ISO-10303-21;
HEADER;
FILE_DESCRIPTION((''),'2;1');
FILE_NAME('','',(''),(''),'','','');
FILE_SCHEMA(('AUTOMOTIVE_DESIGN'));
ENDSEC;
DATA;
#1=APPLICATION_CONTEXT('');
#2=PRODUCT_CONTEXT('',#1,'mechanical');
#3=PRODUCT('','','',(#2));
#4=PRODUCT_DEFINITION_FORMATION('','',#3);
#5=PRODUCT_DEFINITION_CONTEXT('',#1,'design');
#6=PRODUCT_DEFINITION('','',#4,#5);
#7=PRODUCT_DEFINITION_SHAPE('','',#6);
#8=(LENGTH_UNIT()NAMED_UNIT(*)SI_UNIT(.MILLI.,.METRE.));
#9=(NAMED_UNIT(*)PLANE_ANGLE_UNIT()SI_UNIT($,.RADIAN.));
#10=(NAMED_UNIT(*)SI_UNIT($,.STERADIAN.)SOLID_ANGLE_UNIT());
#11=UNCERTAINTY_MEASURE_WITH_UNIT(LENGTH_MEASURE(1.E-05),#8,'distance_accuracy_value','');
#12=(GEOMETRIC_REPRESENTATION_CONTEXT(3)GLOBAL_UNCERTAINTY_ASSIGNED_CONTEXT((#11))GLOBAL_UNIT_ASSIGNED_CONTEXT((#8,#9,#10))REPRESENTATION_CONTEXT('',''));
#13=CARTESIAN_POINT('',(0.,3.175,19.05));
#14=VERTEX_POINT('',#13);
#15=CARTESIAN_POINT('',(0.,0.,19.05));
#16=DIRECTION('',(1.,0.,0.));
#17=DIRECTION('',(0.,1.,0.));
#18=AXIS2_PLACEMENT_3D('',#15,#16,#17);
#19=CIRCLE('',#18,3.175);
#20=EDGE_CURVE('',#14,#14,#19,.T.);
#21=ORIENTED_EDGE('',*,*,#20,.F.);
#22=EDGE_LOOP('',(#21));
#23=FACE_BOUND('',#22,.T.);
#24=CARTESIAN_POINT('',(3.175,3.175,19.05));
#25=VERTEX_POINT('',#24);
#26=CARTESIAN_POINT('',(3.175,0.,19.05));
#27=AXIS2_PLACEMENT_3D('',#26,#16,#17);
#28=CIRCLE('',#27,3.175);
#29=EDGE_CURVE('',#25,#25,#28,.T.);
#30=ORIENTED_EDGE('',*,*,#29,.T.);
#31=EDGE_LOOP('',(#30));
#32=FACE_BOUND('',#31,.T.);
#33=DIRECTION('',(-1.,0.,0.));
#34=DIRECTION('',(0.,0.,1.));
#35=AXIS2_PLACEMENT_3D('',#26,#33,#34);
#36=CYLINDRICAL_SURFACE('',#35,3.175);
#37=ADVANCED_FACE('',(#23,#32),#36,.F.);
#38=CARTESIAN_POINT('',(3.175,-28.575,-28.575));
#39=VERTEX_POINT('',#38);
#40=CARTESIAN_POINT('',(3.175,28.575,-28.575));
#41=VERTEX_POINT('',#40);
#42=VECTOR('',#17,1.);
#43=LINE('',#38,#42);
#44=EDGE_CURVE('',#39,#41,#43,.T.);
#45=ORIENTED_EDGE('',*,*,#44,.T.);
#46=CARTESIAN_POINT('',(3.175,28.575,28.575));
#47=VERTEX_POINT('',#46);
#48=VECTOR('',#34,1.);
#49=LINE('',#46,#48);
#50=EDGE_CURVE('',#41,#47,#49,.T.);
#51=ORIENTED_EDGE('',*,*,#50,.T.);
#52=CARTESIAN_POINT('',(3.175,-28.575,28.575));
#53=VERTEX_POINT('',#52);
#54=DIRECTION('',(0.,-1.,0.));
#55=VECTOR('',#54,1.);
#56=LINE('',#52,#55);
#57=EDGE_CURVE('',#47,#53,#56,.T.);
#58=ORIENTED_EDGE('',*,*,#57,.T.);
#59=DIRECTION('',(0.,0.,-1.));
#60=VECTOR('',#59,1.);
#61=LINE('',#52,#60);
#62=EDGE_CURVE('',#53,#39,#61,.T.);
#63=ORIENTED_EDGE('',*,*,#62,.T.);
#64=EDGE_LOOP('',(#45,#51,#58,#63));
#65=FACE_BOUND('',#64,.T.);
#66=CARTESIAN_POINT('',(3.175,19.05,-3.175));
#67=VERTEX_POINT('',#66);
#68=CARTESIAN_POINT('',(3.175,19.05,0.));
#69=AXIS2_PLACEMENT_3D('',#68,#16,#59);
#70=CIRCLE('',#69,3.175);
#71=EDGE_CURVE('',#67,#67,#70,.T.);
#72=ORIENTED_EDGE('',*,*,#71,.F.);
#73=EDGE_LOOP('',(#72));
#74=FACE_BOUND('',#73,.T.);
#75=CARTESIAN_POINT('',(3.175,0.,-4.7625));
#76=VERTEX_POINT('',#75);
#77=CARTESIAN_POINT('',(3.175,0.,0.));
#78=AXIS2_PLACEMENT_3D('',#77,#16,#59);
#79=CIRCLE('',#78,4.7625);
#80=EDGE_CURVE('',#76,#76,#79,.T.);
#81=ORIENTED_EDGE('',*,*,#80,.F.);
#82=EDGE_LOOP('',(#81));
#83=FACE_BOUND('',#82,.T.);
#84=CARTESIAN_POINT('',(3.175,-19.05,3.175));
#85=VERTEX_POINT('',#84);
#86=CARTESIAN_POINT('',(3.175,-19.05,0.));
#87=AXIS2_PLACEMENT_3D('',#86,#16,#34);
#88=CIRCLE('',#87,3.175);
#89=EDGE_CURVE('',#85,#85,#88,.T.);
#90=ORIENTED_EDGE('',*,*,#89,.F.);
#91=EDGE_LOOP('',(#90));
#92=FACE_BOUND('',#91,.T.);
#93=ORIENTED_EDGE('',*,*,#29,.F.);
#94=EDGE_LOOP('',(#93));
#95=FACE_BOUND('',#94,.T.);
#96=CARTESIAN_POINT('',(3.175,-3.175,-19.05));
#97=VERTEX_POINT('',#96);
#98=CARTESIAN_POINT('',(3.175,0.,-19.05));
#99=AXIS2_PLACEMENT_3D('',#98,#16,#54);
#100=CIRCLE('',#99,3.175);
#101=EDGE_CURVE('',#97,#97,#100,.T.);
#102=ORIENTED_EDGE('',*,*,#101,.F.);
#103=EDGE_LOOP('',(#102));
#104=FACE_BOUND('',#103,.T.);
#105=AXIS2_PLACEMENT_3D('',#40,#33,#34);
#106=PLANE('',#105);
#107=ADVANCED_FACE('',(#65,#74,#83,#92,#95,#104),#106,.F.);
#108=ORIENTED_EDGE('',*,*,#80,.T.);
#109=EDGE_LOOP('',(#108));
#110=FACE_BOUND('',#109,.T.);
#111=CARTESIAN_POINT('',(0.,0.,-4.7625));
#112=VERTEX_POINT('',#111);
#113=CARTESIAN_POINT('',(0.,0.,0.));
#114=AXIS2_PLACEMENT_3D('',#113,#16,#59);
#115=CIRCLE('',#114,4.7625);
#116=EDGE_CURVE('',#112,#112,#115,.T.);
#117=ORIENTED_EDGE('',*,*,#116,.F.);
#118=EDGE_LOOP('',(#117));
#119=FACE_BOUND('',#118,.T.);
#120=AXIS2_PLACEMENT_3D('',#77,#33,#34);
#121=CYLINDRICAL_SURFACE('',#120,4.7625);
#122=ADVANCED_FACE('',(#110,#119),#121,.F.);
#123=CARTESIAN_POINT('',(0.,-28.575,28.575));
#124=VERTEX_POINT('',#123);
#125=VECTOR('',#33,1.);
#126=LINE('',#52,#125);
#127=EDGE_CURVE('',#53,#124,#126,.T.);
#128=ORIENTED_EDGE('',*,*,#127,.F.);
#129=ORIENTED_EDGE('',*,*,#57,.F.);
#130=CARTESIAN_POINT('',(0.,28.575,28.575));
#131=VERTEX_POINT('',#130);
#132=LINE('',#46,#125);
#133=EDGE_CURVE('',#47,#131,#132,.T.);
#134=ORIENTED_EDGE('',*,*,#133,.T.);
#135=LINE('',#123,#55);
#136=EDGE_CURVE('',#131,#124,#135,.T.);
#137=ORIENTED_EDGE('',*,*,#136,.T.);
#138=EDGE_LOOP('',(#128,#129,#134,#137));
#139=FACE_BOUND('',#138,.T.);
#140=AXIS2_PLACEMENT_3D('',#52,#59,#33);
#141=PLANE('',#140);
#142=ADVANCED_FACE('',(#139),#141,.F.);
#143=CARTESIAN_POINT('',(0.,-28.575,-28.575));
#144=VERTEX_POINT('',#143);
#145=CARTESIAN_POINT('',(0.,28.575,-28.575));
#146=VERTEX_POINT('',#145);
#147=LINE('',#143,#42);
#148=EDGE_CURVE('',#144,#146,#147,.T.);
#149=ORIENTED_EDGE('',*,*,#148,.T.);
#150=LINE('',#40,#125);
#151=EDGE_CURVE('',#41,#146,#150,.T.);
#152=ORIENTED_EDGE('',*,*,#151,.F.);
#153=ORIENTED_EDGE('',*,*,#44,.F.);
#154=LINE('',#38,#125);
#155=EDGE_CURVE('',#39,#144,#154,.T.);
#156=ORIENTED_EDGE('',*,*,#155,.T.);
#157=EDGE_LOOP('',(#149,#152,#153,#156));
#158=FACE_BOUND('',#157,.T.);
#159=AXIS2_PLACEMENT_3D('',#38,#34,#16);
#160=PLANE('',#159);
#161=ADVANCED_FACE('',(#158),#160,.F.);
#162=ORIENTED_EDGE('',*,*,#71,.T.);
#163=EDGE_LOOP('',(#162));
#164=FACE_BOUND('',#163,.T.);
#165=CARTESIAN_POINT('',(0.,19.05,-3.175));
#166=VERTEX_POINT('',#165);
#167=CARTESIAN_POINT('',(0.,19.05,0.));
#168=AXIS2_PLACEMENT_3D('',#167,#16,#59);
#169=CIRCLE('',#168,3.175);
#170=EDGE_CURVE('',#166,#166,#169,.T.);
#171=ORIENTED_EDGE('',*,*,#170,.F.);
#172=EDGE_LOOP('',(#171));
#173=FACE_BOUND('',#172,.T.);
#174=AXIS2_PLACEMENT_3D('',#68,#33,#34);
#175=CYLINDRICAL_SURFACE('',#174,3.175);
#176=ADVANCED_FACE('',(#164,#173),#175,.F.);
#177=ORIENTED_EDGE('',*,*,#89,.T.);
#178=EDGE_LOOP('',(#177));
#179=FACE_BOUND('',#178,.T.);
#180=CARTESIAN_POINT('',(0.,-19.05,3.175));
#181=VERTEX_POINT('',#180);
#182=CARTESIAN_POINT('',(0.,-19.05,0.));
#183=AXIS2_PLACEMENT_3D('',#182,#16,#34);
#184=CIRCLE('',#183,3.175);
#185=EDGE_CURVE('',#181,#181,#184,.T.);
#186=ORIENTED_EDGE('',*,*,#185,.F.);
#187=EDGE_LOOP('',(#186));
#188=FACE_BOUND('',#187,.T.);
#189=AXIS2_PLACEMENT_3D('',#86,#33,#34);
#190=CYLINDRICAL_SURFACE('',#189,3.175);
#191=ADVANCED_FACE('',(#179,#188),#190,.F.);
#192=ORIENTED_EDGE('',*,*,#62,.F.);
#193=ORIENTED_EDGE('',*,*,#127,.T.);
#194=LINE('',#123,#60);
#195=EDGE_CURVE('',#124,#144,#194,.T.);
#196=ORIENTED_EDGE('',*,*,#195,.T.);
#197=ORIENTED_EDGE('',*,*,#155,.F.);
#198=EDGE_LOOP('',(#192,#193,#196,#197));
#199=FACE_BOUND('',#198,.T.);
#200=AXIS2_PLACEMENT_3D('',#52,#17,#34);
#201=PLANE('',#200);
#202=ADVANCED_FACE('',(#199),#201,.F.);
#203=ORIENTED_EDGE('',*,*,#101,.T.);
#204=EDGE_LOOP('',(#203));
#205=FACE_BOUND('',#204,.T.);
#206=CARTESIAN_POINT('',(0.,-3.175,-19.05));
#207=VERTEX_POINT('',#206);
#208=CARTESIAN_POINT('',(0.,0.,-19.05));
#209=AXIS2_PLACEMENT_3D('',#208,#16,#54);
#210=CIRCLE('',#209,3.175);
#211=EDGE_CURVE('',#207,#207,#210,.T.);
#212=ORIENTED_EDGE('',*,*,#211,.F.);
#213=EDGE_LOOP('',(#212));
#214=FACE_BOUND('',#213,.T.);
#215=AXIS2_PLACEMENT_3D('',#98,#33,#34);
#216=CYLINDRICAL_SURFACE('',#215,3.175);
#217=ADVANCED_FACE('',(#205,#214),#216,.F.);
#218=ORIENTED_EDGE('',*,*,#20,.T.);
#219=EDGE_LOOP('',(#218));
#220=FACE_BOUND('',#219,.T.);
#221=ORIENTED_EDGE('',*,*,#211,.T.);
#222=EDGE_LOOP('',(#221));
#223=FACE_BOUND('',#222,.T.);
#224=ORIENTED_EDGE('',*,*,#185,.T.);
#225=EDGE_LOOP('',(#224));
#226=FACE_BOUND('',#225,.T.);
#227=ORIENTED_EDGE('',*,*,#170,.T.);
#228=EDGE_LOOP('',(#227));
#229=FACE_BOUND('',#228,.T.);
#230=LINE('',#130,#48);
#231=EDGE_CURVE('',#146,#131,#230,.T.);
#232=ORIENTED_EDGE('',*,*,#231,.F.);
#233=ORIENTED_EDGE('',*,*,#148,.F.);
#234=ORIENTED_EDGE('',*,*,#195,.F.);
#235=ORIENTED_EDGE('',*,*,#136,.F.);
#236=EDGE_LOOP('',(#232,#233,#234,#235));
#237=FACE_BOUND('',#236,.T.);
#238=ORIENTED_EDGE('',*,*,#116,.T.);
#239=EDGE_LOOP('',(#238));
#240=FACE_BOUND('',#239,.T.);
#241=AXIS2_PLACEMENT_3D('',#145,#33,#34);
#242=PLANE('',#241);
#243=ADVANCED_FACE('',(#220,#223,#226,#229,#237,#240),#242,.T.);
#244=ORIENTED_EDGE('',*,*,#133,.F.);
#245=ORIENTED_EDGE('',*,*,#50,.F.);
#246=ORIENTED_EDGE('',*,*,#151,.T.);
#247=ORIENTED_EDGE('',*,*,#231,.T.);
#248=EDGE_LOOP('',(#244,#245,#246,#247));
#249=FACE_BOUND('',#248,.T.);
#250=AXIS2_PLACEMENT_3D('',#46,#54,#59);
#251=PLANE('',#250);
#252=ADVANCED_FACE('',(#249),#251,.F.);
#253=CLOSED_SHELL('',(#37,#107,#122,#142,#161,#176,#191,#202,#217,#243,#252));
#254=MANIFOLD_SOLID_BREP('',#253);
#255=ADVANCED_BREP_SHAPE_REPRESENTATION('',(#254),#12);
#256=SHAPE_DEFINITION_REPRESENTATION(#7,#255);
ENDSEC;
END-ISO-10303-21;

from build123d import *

# Parameters (mm, degrees)
SKETCH1_W           = 57.15
SKETCH1_H           = 57.15
SKETCH1_R           = 4.7625
BOSS_EXTRUDE1_DEPTH = 3.175
SKETCH2_R           = 3.175
CUT_EXTRUDE1_DEPTH  = 41.535686438
CIRPATTERN1_COUNT   = 4


with BuildPart() as part:
    # Sketch1 → Boss-Extrude1 (new body)
    with BuildSketch(Plane(origin=(0, 0, 0), x_dir=(0, 0, -1), z_dir=(1, 0, 0))):
        Rectangle(SKETCH1_W, SKETCH1_H)
        Circle(SKETCH1_R, mode=Mode.SUBTRACT)
    extrude(amount=BOSS_EXTRUDE1_DEPTH)

    # Sketch2 → Cut-Extrude1 (cut, through all)
    with BuildSketch(Plane(origin=(0, 0, 0), x_dir=(0, 0, -1), z_dir=(1, 0, 0))):
        with Locations((0, 19.05)):
            Circle(SKETCH2_R)
    cut_extrude1 = extrude(amount=CUT_EXTRUDE1_DEPTH, mode=Mode.SUBTRACT)

    # CirPattern1: Cut-Extrude1 ×4 about axis
    cirpattern1_axis = Axis((0, 0, 0), (1, 0, 0))
    for i in range(1, CIRPATTERN1_COUNT):
        add(cut_extrude1.rotate(cirpattern1_axis, i * 360 / CIRPATTERN1_COUNT), mode=Mode.SUBTRACT)


solid = part.part
